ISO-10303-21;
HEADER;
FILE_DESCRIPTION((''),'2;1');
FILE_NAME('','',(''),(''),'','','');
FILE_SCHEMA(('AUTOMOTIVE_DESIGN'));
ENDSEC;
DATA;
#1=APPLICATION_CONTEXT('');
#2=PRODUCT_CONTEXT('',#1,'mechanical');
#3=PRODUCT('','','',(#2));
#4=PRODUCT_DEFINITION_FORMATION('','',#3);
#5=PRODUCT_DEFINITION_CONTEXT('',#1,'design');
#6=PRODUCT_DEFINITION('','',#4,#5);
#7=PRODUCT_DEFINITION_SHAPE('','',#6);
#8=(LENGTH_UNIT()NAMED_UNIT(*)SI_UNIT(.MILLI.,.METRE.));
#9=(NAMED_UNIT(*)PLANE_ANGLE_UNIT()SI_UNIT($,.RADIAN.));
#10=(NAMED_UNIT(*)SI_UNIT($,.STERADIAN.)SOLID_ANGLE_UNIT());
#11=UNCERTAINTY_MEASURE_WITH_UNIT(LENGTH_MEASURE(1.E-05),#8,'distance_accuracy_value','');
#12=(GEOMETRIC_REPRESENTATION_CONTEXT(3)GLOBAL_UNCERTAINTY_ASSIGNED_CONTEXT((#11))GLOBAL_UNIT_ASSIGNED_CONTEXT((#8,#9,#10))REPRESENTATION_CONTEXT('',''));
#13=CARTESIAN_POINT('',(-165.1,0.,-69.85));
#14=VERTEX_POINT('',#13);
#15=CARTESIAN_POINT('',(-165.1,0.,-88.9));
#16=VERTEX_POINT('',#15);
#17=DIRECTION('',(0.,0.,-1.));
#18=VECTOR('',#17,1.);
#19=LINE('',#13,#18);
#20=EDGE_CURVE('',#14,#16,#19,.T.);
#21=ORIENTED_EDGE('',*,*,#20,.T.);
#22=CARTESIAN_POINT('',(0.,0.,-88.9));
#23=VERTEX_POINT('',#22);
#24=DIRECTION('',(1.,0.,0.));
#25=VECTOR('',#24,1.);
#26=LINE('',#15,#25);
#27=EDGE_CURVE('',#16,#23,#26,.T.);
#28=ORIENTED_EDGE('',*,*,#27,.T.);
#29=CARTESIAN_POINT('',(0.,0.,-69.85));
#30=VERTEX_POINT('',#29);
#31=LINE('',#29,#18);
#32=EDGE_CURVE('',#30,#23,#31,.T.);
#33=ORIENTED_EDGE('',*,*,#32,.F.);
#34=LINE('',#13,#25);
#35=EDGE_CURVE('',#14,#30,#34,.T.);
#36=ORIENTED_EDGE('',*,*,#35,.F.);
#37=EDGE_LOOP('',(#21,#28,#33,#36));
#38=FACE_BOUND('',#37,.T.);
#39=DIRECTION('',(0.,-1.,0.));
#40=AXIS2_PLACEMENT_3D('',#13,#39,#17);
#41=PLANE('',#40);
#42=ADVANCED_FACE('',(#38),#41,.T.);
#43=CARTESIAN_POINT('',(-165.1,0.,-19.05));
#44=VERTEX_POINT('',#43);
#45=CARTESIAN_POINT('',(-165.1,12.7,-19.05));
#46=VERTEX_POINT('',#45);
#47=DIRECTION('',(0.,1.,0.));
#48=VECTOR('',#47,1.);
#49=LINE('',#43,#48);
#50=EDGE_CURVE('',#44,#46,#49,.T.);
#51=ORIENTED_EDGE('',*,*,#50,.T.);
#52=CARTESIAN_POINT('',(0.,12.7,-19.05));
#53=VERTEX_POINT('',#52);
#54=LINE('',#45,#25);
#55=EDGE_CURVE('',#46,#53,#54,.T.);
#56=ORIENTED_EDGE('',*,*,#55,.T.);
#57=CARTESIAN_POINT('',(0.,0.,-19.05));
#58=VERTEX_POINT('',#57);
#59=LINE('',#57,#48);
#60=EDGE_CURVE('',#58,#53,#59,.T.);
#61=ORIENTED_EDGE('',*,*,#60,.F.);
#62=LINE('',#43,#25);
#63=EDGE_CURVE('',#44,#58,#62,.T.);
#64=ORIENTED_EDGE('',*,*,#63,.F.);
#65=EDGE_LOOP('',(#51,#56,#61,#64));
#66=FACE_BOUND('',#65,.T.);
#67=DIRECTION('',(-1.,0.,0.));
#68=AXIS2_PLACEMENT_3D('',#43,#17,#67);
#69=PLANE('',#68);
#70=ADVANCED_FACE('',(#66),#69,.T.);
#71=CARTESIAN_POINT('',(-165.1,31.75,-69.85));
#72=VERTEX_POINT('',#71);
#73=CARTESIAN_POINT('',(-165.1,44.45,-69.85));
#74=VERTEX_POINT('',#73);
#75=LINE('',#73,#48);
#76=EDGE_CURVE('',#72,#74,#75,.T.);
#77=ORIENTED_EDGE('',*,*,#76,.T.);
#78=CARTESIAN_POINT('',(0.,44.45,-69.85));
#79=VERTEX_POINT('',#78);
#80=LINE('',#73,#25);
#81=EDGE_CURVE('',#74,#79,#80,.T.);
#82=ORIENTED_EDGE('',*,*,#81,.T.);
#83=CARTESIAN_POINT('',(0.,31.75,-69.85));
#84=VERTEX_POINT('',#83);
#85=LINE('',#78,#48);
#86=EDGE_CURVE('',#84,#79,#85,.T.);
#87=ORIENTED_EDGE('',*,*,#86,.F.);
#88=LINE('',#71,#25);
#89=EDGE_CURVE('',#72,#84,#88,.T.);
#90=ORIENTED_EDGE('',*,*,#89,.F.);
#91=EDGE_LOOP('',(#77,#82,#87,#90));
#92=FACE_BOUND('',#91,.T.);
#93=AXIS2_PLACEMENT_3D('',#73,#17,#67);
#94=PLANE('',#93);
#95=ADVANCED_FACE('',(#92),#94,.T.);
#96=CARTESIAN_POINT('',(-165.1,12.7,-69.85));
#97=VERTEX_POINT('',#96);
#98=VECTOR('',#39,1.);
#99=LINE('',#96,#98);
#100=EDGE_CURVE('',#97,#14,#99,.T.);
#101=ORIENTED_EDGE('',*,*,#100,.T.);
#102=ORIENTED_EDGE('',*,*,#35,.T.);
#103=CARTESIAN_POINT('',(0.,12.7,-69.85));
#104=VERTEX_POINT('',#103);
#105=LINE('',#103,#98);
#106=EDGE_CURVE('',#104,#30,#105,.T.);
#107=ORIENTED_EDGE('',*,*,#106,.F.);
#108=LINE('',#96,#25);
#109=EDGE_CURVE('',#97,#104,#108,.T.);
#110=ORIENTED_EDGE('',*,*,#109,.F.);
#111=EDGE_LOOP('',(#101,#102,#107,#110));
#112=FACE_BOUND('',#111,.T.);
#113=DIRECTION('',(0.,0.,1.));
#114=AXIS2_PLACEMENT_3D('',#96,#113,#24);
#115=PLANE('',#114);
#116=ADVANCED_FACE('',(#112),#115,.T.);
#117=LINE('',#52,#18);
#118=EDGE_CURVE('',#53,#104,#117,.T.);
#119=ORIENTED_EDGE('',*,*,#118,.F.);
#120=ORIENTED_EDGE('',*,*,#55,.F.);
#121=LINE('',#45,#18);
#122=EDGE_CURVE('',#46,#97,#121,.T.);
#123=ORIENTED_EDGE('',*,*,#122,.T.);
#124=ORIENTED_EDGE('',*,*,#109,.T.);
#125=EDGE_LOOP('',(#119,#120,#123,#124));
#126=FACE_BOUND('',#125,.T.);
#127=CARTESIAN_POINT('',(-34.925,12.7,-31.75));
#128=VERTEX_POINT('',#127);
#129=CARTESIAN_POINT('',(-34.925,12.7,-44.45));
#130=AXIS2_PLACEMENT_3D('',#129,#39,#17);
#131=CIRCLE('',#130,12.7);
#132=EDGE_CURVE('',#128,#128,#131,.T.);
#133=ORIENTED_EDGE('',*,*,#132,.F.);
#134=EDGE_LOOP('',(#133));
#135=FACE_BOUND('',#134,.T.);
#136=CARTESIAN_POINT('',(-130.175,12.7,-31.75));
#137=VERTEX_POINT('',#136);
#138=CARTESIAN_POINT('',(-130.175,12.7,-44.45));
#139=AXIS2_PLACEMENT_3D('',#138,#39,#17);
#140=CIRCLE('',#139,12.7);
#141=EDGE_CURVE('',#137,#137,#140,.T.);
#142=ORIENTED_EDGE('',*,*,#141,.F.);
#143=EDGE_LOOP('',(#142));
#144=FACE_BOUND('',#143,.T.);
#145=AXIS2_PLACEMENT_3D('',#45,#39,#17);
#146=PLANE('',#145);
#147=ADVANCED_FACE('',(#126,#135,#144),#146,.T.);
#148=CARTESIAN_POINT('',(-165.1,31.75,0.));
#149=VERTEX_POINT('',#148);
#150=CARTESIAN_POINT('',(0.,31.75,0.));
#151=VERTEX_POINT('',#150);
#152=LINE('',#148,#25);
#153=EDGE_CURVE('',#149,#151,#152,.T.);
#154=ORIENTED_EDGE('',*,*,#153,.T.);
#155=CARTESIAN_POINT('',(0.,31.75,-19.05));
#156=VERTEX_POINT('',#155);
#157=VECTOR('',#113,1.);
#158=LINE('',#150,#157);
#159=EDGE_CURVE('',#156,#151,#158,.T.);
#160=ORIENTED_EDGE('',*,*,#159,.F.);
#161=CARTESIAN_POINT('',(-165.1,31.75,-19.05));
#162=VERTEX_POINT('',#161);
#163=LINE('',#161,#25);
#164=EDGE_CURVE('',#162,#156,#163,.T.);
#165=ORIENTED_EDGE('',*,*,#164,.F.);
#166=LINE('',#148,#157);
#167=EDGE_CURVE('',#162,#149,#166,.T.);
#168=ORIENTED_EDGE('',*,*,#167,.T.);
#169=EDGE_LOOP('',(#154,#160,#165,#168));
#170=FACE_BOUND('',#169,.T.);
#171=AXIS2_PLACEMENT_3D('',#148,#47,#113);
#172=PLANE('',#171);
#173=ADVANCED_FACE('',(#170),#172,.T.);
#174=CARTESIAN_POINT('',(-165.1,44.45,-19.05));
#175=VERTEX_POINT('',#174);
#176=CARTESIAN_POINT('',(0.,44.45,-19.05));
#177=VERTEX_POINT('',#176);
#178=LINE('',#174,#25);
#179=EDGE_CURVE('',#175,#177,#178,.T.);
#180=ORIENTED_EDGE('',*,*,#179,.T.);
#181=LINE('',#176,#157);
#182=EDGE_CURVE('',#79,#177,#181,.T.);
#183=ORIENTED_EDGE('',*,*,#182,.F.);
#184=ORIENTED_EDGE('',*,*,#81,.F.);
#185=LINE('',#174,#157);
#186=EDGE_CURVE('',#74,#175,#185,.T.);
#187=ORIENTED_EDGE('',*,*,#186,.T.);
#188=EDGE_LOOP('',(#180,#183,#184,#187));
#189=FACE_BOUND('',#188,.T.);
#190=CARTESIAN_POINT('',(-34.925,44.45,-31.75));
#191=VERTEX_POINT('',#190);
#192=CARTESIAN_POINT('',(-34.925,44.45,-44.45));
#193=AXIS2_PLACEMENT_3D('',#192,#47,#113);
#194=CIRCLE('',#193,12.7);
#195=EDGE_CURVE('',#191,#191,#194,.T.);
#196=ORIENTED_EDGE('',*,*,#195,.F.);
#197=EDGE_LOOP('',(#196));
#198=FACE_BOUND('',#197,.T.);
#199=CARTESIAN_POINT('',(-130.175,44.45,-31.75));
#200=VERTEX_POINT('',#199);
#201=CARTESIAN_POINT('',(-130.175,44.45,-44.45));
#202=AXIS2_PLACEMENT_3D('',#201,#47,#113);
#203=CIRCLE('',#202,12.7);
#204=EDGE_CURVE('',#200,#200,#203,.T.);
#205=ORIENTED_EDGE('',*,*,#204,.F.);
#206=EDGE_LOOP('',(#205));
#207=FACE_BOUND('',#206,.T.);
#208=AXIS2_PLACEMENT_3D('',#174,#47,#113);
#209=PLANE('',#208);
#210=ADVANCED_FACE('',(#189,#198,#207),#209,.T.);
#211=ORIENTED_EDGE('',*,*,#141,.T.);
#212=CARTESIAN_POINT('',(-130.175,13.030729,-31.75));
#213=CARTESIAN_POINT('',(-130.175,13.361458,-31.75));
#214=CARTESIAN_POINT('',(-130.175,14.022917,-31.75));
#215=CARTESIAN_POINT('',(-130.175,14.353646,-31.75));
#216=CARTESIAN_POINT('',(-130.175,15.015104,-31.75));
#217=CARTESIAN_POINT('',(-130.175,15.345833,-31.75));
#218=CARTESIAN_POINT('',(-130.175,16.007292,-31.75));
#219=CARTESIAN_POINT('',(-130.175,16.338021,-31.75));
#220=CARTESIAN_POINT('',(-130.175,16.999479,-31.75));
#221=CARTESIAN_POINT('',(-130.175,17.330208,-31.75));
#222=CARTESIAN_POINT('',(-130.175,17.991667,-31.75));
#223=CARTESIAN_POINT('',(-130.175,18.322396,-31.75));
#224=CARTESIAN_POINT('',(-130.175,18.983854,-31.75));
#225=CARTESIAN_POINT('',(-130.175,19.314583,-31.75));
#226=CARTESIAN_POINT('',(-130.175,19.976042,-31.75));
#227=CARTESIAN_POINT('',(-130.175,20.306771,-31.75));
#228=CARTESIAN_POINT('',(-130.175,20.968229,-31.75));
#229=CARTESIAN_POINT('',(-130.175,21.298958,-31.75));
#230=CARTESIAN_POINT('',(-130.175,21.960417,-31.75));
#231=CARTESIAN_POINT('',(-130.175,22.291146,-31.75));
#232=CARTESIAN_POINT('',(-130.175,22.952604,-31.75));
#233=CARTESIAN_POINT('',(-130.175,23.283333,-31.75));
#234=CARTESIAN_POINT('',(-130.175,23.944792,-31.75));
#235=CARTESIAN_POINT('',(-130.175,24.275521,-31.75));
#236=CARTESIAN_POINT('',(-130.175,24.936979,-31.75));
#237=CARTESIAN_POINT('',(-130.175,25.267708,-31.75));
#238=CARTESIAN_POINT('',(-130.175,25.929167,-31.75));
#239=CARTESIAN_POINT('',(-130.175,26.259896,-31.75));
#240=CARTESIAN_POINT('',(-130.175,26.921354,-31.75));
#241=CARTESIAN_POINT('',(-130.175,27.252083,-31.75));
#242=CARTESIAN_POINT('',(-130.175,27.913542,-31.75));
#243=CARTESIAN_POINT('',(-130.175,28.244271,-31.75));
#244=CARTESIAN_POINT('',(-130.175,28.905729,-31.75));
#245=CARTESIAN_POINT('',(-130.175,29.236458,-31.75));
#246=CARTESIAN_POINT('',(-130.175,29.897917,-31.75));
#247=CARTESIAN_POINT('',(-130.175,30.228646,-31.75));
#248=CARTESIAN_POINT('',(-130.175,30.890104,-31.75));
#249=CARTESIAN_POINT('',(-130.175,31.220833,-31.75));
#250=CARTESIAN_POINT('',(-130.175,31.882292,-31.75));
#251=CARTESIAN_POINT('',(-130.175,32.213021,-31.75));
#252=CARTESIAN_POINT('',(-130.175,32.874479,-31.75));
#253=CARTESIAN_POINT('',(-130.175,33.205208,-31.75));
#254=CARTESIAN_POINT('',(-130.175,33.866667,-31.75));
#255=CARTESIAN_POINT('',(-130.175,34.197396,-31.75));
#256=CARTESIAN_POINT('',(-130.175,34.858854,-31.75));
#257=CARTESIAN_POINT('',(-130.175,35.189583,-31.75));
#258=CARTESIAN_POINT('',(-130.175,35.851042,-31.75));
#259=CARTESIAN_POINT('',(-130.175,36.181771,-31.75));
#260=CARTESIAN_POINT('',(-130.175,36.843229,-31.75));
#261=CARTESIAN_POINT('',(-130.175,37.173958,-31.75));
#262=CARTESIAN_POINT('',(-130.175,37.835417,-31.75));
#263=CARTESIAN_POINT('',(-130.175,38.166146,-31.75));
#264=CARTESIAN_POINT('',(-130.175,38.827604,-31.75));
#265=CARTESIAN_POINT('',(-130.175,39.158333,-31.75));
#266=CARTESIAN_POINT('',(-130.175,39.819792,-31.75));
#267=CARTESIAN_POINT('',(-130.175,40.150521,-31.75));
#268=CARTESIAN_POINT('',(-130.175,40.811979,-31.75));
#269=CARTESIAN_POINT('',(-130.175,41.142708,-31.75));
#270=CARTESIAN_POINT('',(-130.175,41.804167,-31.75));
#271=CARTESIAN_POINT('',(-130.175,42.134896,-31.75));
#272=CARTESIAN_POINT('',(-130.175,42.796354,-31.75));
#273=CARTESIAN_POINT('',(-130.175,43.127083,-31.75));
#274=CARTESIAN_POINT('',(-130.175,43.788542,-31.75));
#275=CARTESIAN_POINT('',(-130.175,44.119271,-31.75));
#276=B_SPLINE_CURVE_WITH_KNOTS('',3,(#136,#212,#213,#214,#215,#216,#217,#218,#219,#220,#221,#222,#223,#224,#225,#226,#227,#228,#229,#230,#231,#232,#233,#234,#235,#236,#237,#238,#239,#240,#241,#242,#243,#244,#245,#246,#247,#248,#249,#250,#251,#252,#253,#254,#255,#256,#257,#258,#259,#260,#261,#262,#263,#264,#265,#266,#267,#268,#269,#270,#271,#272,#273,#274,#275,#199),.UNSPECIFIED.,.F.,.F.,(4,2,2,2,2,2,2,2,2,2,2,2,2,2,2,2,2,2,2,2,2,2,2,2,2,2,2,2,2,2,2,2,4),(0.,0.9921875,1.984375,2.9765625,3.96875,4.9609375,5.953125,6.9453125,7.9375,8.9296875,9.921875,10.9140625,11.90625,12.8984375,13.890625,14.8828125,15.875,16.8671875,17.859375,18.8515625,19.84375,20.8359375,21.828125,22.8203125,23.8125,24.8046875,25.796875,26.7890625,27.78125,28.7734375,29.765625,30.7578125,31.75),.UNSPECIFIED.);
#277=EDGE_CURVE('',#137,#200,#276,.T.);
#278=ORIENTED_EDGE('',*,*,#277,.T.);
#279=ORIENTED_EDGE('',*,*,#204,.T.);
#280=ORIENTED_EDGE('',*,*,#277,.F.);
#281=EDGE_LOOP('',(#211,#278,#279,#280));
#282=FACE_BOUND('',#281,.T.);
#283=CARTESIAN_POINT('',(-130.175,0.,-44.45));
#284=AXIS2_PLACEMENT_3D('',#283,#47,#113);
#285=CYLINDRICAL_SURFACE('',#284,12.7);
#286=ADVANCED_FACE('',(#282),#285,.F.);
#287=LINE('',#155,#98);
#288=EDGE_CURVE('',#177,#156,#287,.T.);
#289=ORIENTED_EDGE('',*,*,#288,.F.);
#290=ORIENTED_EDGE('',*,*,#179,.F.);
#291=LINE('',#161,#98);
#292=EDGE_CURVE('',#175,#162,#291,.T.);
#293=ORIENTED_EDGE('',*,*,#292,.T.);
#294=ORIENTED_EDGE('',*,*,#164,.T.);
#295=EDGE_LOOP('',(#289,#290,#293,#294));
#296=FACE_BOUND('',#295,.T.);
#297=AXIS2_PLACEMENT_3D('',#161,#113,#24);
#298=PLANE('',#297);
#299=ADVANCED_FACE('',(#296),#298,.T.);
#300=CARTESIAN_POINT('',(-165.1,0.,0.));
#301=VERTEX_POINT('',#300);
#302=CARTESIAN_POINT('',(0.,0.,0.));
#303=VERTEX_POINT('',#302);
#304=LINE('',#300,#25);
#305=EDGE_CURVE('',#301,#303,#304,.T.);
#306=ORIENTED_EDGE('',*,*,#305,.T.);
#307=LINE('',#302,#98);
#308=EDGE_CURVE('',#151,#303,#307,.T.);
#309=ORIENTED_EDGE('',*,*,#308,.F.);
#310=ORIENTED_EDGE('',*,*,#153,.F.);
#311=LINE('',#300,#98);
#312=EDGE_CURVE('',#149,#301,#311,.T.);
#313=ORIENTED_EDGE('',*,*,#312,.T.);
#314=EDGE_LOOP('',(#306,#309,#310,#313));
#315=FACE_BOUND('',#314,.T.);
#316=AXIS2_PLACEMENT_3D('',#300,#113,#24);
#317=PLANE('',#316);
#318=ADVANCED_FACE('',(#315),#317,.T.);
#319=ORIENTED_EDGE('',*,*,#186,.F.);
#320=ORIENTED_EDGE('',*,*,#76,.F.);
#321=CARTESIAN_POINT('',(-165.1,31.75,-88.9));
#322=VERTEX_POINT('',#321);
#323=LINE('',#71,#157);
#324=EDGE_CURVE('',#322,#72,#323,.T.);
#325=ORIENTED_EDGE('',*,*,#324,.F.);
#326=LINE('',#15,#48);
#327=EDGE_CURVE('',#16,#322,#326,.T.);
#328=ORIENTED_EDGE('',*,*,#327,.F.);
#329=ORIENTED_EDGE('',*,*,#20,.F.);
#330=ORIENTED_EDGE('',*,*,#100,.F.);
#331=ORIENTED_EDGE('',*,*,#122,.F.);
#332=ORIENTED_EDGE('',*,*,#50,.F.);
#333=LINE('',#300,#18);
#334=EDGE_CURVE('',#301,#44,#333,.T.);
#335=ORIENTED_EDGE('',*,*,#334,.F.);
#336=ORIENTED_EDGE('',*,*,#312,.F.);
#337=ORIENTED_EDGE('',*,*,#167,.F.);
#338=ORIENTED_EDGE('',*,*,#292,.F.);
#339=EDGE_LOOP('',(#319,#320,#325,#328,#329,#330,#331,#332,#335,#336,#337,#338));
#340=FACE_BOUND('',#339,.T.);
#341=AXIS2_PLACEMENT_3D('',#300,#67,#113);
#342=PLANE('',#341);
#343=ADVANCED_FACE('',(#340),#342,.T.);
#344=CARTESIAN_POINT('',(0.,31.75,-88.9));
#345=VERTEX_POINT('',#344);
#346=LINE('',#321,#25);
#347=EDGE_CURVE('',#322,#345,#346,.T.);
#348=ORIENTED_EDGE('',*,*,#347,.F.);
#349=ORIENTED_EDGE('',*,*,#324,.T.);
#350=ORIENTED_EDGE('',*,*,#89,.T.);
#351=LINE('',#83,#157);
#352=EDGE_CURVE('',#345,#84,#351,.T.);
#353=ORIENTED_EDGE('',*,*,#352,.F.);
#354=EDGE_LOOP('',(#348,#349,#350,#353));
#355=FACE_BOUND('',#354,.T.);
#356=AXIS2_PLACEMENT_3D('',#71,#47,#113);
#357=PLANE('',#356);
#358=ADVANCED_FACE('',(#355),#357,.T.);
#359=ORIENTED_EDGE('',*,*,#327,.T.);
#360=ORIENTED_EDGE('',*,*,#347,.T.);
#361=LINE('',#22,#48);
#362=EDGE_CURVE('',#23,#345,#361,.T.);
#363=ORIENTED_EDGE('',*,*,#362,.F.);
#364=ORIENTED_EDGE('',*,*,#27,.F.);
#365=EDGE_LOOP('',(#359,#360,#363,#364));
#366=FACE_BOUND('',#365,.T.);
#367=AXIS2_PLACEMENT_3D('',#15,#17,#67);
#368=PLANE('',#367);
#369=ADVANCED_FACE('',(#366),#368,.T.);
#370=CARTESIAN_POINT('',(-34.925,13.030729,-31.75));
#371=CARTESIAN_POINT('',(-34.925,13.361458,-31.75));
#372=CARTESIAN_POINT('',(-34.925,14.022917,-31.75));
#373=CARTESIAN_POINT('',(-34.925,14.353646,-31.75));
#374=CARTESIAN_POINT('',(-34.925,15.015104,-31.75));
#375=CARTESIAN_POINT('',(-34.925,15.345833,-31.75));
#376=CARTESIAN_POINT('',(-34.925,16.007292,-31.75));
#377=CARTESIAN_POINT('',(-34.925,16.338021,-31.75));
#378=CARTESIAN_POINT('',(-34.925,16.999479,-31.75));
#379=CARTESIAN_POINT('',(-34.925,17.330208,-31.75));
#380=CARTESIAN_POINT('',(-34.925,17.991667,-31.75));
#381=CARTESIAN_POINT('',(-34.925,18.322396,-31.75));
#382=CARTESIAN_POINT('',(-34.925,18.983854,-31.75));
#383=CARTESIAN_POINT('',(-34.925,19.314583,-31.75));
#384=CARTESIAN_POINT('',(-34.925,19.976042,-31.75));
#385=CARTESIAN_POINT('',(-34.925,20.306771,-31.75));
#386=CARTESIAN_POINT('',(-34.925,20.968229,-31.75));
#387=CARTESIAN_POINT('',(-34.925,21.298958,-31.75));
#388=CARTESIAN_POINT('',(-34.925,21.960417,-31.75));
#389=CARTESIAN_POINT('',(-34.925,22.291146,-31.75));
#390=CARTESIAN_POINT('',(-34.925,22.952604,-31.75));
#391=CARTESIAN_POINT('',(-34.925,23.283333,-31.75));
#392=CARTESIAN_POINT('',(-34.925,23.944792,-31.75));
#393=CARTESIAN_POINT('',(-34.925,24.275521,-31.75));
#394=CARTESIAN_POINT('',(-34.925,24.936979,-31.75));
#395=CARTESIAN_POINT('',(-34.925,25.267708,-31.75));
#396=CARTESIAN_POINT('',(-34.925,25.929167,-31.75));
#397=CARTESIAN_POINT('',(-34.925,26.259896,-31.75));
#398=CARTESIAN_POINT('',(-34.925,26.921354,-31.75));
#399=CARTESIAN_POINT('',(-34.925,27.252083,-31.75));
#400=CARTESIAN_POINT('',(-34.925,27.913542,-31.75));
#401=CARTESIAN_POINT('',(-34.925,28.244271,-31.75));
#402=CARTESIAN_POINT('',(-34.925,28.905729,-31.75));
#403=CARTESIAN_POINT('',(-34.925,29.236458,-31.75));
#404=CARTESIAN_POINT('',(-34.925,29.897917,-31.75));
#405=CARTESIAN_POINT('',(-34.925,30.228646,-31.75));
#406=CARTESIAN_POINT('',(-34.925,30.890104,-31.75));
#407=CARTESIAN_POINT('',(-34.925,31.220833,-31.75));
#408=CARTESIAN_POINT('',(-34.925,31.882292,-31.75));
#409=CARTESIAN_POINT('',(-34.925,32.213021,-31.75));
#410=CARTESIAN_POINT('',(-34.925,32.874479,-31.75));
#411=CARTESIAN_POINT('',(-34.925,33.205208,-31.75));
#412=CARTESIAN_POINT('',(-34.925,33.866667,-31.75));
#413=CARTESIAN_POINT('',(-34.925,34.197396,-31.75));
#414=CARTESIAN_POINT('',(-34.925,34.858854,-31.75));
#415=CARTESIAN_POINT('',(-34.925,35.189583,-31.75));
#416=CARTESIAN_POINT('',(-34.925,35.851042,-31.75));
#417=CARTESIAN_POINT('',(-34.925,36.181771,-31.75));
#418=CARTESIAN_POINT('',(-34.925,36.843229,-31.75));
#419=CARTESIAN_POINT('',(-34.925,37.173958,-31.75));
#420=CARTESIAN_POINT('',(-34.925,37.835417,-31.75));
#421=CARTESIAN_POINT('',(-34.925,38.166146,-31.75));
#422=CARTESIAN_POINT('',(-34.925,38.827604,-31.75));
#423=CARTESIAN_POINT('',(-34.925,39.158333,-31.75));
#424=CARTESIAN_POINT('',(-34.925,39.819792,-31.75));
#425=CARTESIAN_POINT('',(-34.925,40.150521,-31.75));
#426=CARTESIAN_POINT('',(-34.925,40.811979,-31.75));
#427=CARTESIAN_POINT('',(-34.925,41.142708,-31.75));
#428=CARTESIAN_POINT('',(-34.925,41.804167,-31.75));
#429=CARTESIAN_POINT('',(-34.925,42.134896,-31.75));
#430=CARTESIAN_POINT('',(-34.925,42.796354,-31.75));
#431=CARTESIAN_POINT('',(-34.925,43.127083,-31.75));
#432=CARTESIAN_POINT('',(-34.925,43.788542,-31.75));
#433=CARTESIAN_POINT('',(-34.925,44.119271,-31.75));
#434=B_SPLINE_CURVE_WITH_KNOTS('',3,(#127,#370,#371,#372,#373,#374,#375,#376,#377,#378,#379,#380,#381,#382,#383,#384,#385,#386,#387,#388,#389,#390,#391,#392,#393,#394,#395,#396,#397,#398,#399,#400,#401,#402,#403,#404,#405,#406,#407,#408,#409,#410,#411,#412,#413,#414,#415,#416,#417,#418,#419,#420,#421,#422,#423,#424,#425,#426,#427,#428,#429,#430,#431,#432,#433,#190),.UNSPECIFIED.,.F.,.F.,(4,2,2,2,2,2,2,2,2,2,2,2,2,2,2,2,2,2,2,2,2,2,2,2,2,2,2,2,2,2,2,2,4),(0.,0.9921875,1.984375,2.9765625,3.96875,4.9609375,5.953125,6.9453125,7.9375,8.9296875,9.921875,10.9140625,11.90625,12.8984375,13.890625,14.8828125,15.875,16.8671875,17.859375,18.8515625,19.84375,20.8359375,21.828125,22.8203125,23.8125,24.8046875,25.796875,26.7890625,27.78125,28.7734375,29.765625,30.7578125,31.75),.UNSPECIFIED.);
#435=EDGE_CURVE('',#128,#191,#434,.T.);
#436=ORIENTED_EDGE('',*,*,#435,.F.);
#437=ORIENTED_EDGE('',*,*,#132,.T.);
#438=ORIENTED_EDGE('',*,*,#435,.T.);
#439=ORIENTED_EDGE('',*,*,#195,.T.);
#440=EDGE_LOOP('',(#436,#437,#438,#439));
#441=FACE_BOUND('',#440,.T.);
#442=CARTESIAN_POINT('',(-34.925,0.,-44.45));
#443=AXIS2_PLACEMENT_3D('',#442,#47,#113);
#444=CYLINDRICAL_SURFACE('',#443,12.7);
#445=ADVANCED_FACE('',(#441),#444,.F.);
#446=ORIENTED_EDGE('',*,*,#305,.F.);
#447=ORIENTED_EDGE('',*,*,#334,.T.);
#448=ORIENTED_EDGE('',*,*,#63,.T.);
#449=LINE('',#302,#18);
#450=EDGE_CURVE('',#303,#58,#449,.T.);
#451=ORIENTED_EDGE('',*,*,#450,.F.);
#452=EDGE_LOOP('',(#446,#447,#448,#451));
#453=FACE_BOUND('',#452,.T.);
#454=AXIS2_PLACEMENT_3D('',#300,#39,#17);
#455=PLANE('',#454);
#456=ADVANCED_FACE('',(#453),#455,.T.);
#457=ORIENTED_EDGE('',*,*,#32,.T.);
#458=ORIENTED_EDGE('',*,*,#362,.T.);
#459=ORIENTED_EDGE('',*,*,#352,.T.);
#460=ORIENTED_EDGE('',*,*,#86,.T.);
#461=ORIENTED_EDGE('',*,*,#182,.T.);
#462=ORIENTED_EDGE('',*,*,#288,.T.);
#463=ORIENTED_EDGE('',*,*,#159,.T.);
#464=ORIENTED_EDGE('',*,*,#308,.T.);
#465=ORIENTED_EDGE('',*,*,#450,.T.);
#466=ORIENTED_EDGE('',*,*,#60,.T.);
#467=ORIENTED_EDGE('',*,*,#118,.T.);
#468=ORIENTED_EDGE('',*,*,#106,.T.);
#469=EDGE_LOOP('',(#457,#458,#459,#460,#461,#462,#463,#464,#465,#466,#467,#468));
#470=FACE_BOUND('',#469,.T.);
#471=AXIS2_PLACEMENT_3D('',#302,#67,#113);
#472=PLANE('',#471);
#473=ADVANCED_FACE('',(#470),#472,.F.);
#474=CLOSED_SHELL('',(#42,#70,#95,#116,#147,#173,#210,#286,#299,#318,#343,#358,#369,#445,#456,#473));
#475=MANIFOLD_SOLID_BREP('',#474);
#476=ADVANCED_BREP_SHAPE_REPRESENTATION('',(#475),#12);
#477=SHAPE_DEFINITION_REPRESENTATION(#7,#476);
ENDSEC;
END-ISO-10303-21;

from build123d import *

# Parameters (mm, degrees)
BOSS_EXTRUDE1_DEPTH = 165.1
SKETCH3_R           = 12.7
CUT_EXTRUDE1_DEPTH  = 193.7096845


with BuildPart() as part:
    # Sketch1 → Boss-Extrude1 (new body)
    with BuildSketch(Plane(origin=(0, 0, 0), x_dir=(0, 0, -1), z_dir=(1, 0, 0))):
        Polygon((19.05, 0), (19.05, 12.7), (69.85, 12.7), (69.85, 0), (88.9, 0), (88.9, 31.75), (69.85, 31.75), (69.85, 44.45), (19.05, 44.45), (19.05, 31.75), (0, 31.75), (0, 0), align=None)
    extrude(amount=-BOSS_EXTRUDE1_DEPTH)

    # Sketch3 → Cut-Extrude1 (cut, through all)
    with BuildSketch(Plane(origin=(0, 44.45, 0), x_dir=(1, 0, 0), z_dir=(0, 1, 0))):
        with Locations(Location((-130.175, 44.45, 0), (0, 0, 270))):
            Circle(SKETCH3_R)
        with Locations(Location((-34.925, 44.45, 0), (0, 0, 270))):
            Circle(SKETCH3_R)
    extrude(amount=-CUT_EXTRUDE1_DEPTH, mode=Mode.SUBTRACT)


solid = part.part
